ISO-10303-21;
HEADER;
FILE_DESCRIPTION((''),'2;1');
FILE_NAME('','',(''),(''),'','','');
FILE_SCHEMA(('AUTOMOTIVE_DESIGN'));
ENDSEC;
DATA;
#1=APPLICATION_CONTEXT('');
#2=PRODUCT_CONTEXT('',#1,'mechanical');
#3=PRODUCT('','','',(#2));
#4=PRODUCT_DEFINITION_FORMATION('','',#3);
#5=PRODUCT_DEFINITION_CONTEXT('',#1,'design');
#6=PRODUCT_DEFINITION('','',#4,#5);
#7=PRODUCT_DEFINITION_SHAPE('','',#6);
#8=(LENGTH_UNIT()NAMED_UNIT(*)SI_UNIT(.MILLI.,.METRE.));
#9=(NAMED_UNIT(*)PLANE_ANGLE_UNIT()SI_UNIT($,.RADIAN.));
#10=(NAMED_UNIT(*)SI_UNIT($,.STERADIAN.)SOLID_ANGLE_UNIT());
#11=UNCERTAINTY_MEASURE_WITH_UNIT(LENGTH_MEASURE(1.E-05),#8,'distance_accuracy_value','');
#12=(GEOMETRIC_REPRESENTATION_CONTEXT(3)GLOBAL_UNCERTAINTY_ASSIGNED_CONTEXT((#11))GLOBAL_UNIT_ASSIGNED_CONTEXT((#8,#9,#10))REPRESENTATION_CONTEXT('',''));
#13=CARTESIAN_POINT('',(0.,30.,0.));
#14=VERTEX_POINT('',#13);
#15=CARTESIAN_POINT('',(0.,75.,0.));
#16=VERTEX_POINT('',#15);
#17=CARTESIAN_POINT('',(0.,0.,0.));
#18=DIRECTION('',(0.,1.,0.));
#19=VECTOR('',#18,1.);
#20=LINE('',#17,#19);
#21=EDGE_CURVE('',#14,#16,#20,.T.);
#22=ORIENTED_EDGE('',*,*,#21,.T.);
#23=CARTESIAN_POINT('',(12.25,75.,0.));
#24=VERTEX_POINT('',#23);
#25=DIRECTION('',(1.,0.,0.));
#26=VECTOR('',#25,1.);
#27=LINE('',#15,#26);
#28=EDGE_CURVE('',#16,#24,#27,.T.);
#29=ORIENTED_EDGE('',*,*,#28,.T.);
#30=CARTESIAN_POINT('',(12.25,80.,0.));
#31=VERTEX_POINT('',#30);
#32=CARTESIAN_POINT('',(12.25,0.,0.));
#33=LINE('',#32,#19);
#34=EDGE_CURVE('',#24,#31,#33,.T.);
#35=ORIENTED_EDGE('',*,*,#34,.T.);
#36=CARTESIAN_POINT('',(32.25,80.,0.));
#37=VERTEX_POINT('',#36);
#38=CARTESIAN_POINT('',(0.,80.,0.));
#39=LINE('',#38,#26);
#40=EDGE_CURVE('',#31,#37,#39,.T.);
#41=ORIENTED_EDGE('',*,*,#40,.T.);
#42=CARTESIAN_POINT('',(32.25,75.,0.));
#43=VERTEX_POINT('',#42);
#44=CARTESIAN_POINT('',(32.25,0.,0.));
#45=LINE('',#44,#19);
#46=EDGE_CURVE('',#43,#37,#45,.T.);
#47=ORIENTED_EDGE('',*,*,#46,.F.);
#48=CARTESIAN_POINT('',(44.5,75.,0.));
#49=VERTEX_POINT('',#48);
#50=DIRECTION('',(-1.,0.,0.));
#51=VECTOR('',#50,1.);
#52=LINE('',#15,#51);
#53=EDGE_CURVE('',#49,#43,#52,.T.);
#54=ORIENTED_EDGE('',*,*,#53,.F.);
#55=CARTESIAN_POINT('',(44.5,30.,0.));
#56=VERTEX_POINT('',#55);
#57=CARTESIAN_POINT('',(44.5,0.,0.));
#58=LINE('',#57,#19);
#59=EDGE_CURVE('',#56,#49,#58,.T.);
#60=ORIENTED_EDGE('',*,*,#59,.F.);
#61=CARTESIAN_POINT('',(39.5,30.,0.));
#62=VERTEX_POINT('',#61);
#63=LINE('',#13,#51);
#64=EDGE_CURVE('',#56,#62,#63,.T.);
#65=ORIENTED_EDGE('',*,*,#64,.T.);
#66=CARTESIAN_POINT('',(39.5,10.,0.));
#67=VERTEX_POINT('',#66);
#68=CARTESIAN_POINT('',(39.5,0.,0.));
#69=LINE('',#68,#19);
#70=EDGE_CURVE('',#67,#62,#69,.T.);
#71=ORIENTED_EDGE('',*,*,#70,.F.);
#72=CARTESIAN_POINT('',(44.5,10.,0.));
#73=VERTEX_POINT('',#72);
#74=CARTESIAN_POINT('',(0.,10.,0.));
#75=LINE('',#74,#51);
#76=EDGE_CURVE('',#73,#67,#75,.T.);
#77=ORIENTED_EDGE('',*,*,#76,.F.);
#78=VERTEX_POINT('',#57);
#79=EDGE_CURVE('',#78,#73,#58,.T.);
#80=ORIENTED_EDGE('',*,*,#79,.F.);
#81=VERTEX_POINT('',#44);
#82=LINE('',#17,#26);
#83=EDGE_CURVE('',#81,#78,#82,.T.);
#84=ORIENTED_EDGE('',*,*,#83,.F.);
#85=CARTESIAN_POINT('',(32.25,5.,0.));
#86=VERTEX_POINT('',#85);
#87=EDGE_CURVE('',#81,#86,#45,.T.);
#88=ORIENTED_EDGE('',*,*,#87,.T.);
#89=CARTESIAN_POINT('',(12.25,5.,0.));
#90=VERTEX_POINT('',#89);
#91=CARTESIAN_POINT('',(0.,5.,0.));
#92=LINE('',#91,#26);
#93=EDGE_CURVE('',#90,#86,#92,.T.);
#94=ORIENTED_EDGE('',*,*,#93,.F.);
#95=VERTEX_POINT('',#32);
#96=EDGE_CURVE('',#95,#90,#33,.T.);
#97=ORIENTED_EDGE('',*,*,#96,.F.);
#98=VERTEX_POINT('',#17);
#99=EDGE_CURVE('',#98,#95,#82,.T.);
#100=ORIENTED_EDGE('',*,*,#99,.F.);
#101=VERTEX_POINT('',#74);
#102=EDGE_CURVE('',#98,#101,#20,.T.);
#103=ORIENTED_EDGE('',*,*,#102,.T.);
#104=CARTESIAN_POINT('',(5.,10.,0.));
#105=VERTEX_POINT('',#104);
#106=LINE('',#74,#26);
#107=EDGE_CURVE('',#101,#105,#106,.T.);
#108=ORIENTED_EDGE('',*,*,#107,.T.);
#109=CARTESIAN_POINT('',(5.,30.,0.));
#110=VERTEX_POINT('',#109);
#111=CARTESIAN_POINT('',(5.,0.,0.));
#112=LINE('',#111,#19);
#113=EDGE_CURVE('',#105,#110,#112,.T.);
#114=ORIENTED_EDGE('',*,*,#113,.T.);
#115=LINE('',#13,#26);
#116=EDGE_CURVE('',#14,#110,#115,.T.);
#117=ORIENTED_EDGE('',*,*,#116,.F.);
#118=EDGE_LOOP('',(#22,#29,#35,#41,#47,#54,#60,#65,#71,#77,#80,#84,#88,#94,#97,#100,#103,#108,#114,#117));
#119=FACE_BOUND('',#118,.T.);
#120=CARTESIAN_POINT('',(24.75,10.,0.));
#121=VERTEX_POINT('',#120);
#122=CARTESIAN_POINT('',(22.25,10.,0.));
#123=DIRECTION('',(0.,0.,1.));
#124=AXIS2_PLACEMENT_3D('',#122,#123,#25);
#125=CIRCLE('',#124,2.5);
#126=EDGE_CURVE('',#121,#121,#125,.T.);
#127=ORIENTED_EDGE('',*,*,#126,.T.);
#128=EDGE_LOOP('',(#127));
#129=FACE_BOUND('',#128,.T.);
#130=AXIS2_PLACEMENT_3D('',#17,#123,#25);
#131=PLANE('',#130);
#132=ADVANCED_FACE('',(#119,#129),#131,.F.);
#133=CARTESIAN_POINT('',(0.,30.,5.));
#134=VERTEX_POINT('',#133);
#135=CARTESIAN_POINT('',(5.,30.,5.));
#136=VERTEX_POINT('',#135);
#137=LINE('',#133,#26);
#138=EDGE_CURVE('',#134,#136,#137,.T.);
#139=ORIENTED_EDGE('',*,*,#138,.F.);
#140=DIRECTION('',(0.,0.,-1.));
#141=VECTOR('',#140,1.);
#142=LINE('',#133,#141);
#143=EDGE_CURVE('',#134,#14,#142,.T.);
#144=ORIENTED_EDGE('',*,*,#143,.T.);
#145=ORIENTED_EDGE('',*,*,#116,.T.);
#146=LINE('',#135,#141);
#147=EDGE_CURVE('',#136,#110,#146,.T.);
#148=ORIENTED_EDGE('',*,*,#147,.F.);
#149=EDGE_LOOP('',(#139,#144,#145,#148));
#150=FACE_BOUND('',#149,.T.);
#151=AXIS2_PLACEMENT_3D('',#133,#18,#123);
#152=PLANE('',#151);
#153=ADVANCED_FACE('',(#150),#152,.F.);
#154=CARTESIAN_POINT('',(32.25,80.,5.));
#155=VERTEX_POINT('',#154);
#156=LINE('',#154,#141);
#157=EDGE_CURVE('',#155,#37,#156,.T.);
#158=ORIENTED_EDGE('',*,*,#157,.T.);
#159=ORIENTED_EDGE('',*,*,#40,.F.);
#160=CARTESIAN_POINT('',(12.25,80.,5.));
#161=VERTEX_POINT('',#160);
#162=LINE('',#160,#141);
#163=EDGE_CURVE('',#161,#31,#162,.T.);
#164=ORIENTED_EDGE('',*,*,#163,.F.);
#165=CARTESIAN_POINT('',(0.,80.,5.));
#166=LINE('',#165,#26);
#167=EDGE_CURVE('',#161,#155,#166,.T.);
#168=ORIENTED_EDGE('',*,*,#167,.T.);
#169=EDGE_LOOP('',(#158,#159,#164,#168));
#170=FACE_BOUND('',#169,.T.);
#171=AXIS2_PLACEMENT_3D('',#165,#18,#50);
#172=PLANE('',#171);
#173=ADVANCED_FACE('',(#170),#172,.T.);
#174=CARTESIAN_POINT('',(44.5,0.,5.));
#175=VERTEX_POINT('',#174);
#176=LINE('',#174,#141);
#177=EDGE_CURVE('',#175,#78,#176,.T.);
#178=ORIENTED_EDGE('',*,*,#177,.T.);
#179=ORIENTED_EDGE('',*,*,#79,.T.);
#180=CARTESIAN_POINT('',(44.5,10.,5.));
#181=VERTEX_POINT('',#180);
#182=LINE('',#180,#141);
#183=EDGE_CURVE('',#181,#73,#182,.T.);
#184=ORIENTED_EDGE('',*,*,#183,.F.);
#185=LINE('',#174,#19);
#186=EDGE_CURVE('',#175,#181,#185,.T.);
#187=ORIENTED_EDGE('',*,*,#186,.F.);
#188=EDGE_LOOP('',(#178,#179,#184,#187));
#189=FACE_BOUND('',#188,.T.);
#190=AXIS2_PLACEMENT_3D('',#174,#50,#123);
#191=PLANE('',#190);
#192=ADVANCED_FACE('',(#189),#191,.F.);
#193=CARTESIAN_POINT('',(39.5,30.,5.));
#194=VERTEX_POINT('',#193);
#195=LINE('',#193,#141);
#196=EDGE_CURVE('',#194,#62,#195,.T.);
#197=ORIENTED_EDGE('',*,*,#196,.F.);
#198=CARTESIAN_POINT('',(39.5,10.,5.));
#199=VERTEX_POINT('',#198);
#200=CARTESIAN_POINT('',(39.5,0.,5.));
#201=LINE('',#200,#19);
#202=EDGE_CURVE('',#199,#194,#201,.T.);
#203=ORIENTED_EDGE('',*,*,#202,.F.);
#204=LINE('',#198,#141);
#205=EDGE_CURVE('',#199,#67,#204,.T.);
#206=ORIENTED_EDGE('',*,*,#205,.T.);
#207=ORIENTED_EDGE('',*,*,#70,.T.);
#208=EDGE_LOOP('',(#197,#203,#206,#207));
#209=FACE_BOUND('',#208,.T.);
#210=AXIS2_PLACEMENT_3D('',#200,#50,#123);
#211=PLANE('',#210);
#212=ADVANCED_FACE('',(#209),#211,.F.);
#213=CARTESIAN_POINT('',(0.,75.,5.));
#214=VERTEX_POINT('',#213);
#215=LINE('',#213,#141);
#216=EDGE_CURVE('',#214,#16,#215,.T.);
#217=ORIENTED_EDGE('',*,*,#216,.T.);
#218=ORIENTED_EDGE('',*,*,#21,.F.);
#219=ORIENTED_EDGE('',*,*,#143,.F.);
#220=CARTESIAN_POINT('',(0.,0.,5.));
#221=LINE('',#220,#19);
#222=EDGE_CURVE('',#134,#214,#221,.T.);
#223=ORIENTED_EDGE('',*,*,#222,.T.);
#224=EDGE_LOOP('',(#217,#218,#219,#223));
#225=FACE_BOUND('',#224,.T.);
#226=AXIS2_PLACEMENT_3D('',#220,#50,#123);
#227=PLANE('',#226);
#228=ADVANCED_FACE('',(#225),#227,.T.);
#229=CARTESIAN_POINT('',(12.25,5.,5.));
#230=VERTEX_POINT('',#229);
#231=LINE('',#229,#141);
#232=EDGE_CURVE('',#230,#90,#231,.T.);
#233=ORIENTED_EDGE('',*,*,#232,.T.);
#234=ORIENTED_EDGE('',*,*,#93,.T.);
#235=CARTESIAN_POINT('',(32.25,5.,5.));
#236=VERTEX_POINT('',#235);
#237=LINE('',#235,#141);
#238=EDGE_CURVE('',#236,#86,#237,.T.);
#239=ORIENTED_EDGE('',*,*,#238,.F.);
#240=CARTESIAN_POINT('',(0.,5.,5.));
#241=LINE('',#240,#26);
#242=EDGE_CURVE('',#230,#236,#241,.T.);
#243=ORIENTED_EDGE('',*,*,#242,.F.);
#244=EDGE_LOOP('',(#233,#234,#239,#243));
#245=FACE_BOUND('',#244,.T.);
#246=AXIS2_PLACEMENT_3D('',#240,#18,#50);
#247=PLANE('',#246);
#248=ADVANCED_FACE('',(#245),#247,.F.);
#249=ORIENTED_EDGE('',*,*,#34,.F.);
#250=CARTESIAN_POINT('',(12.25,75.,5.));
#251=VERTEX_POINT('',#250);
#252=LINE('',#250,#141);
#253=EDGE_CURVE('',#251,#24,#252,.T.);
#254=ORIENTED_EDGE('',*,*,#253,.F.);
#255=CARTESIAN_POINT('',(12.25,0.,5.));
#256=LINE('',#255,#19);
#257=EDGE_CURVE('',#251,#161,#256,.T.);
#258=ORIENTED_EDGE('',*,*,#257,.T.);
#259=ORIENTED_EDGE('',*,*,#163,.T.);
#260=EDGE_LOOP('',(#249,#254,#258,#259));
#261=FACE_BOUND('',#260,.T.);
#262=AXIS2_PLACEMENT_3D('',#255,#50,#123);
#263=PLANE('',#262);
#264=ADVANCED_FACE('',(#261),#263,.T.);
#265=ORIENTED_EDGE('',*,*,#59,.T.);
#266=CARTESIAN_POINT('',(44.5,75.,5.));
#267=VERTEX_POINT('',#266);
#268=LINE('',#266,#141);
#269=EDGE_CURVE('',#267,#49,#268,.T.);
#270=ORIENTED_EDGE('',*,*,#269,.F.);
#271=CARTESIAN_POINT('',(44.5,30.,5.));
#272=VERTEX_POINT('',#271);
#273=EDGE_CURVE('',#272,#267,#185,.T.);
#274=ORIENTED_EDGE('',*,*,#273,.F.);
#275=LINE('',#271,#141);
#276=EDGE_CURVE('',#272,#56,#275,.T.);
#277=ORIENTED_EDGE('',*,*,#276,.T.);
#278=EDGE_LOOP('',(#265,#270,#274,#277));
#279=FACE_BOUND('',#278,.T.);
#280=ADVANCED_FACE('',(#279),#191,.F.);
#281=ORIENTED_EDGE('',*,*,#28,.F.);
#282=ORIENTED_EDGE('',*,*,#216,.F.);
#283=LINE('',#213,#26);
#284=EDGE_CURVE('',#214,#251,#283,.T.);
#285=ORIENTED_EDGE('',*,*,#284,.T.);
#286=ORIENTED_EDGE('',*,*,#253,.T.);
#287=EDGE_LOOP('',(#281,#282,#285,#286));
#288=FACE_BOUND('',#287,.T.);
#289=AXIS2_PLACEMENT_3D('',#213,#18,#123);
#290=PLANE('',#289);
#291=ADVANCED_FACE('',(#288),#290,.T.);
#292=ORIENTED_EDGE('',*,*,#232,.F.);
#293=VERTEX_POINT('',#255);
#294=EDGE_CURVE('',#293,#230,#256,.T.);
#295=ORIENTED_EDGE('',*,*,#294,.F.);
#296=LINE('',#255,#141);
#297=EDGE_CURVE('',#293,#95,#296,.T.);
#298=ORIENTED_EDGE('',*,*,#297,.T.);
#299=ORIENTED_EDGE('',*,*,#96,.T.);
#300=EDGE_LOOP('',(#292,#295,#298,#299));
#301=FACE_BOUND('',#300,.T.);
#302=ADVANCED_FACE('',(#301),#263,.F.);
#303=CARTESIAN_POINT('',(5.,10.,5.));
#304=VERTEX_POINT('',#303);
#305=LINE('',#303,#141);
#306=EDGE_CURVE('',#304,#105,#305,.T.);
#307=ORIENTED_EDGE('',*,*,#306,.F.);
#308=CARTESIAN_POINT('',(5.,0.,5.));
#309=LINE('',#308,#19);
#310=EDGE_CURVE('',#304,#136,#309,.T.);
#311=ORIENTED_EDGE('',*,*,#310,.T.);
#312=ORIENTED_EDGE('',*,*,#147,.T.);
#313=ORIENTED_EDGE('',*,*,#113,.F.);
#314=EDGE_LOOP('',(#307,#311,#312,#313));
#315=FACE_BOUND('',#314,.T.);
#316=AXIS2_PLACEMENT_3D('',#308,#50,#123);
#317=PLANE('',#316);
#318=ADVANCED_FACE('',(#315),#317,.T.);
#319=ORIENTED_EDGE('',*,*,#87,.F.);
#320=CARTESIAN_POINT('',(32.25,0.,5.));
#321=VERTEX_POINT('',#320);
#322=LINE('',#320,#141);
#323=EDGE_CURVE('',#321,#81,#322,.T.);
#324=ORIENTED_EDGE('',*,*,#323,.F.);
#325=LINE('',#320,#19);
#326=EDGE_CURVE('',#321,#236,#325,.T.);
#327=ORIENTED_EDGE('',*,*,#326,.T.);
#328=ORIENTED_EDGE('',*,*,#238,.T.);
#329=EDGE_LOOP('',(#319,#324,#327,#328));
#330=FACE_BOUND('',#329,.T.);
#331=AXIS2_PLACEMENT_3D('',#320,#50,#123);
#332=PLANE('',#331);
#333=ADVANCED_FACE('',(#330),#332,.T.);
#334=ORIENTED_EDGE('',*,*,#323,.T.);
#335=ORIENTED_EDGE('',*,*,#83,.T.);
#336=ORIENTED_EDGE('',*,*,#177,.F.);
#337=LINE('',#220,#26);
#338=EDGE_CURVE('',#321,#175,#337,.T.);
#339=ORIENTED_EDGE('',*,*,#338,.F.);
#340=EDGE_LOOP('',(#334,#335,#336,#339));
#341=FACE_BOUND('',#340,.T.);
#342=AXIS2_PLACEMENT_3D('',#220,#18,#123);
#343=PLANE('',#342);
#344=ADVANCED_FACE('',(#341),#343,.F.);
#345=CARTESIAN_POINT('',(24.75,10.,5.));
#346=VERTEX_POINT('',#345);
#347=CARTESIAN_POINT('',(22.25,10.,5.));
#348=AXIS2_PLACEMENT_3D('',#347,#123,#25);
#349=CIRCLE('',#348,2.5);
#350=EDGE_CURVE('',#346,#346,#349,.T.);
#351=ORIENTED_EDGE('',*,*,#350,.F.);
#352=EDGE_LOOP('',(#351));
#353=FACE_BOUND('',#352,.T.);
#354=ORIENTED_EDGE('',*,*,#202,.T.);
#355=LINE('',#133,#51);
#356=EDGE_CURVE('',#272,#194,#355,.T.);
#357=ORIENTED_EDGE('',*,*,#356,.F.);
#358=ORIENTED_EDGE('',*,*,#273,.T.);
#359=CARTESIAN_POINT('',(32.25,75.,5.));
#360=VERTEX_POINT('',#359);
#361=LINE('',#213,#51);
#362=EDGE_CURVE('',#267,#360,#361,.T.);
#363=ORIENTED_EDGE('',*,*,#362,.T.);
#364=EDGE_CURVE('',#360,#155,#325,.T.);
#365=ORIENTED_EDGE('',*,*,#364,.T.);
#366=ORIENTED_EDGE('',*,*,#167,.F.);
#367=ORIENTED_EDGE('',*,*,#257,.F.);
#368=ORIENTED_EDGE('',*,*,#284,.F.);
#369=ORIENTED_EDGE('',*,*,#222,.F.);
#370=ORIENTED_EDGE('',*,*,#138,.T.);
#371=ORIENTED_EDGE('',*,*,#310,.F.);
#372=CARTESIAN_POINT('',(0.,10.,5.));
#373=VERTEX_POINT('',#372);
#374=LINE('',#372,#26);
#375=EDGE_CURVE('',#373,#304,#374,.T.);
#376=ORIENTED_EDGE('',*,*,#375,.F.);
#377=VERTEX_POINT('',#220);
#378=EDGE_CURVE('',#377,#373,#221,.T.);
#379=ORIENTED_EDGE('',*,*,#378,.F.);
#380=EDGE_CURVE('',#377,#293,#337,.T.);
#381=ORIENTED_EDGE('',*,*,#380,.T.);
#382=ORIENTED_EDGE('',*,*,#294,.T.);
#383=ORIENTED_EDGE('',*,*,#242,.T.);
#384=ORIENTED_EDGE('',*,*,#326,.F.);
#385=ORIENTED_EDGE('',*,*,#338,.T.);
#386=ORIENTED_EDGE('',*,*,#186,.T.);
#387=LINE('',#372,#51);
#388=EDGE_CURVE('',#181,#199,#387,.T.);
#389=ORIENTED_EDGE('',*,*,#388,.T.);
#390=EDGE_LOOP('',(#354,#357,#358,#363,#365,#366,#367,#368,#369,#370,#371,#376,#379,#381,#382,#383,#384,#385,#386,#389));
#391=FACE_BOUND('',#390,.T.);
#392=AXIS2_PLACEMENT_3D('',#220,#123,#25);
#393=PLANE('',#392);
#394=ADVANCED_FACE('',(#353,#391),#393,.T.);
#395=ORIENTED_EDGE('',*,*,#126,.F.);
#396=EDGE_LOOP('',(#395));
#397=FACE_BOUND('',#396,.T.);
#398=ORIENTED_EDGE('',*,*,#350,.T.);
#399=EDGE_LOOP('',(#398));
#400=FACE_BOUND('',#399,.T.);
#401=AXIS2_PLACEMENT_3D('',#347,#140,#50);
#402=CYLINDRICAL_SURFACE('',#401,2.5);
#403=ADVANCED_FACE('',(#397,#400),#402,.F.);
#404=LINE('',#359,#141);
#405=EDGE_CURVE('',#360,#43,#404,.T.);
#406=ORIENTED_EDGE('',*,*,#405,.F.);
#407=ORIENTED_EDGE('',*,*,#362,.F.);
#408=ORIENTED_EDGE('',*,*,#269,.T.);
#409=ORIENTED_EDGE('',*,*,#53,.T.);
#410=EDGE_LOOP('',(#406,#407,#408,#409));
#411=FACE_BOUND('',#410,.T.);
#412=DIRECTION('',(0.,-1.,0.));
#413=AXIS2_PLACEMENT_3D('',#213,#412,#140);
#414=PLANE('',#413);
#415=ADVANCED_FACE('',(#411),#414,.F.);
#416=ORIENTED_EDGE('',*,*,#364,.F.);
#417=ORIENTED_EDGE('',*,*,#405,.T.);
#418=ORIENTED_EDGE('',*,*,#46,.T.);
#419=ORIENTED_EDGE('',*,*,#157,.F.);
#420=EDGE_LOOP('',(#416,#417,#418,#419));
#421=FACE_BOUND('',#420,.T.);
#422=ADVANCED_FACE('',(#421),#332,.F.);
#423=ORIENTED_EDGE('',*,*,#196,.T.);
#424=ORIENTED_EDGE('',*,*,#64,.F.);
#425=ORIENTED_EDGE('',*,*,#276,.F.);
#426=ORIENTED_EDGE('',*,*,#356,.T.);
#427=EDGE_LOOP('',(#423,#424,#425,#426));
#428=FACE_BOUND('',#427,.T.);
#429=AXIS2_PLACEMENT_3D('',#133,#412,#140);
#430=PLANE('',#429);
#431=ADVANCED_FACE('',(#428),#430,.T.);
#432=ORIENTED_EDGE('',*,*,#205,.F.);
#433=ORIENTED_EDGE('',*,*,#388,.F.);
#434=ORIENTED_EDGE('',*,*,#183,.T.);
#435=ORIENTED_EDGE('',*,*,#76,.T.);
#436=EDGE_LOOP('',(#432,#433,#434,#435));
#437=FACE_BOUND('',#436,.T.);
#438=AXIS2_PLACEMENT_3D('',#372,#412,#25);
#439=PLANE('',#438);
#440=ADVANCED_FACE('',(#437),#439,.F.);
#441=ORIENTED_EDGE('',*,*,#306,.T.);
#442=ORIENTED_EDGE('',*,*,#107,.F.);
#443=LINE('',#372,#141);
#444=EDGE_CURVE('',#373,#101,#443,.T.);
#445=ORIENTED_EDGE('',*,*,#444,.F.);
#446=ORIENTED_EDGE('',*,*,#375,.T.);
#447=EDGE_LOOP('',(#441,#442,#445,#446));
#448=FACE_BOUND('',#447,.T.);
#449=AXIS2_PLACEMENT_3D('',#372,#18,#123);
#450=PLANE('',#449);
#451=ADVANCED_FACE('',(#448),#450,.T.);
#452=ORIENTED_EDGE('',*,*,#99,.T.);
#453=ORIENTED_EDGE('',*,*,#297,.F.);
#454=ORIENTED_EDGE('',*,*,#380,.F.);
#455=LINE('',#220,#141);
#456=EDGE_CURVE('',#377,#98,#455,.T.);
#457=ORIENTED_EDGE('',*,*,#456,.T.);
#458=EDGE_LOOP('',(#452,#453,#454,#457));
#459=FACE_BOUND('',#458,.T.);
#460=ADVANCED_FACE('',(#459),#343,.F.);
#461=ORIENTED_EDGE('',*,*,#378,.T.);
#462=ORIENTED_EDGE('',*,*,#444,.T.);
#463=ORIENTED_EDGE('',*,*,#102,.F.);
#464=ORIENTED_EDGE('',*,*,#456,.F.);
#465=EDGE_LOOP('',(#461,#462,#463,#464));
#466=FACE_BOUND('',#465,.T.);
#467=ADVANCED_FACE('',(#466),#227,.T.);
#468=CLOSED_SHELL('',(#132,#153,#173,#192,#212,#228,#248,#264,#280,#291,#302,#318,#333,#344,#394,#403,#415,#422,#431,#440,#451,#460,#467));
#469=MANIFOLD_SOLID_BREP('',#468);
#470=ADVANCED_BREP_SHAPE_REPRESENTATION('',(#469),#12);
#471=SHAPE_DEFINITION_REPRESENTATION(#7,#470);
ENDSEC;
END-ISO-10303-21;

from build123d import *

# Parameters (mm, degrees)
SKETCH1_R           = 2.5
BOSS_EXTRUDE1_DEPTH = 5


with BuildPart() as part:
    # Sketch1 → Boss-Extrude1 (new body)
    with BuildSketch(Plane.XY):
        Polygon((0, 10), (0, 0), (12.25, 0), (12.25, 5), (32.25, 5), (32.25, 0), (44.5, 0), (44.5, 10), (39.5, 10), (39.5, 30), (44.5, 30), (44.5, 75), (32.25, 75), (32.25, 80), (12.25, 80), (12.25, 75), (0, 75), (0, 30), (5, 30), (5, 10), align=None)
        with Locations((22.25, 10)):
            Circle(SKETCH1_R, mode=Mode.SUBTRACT)
    extrude(amount=BOSS_EXTRUDE1_DEPTH)


solid = part.part
